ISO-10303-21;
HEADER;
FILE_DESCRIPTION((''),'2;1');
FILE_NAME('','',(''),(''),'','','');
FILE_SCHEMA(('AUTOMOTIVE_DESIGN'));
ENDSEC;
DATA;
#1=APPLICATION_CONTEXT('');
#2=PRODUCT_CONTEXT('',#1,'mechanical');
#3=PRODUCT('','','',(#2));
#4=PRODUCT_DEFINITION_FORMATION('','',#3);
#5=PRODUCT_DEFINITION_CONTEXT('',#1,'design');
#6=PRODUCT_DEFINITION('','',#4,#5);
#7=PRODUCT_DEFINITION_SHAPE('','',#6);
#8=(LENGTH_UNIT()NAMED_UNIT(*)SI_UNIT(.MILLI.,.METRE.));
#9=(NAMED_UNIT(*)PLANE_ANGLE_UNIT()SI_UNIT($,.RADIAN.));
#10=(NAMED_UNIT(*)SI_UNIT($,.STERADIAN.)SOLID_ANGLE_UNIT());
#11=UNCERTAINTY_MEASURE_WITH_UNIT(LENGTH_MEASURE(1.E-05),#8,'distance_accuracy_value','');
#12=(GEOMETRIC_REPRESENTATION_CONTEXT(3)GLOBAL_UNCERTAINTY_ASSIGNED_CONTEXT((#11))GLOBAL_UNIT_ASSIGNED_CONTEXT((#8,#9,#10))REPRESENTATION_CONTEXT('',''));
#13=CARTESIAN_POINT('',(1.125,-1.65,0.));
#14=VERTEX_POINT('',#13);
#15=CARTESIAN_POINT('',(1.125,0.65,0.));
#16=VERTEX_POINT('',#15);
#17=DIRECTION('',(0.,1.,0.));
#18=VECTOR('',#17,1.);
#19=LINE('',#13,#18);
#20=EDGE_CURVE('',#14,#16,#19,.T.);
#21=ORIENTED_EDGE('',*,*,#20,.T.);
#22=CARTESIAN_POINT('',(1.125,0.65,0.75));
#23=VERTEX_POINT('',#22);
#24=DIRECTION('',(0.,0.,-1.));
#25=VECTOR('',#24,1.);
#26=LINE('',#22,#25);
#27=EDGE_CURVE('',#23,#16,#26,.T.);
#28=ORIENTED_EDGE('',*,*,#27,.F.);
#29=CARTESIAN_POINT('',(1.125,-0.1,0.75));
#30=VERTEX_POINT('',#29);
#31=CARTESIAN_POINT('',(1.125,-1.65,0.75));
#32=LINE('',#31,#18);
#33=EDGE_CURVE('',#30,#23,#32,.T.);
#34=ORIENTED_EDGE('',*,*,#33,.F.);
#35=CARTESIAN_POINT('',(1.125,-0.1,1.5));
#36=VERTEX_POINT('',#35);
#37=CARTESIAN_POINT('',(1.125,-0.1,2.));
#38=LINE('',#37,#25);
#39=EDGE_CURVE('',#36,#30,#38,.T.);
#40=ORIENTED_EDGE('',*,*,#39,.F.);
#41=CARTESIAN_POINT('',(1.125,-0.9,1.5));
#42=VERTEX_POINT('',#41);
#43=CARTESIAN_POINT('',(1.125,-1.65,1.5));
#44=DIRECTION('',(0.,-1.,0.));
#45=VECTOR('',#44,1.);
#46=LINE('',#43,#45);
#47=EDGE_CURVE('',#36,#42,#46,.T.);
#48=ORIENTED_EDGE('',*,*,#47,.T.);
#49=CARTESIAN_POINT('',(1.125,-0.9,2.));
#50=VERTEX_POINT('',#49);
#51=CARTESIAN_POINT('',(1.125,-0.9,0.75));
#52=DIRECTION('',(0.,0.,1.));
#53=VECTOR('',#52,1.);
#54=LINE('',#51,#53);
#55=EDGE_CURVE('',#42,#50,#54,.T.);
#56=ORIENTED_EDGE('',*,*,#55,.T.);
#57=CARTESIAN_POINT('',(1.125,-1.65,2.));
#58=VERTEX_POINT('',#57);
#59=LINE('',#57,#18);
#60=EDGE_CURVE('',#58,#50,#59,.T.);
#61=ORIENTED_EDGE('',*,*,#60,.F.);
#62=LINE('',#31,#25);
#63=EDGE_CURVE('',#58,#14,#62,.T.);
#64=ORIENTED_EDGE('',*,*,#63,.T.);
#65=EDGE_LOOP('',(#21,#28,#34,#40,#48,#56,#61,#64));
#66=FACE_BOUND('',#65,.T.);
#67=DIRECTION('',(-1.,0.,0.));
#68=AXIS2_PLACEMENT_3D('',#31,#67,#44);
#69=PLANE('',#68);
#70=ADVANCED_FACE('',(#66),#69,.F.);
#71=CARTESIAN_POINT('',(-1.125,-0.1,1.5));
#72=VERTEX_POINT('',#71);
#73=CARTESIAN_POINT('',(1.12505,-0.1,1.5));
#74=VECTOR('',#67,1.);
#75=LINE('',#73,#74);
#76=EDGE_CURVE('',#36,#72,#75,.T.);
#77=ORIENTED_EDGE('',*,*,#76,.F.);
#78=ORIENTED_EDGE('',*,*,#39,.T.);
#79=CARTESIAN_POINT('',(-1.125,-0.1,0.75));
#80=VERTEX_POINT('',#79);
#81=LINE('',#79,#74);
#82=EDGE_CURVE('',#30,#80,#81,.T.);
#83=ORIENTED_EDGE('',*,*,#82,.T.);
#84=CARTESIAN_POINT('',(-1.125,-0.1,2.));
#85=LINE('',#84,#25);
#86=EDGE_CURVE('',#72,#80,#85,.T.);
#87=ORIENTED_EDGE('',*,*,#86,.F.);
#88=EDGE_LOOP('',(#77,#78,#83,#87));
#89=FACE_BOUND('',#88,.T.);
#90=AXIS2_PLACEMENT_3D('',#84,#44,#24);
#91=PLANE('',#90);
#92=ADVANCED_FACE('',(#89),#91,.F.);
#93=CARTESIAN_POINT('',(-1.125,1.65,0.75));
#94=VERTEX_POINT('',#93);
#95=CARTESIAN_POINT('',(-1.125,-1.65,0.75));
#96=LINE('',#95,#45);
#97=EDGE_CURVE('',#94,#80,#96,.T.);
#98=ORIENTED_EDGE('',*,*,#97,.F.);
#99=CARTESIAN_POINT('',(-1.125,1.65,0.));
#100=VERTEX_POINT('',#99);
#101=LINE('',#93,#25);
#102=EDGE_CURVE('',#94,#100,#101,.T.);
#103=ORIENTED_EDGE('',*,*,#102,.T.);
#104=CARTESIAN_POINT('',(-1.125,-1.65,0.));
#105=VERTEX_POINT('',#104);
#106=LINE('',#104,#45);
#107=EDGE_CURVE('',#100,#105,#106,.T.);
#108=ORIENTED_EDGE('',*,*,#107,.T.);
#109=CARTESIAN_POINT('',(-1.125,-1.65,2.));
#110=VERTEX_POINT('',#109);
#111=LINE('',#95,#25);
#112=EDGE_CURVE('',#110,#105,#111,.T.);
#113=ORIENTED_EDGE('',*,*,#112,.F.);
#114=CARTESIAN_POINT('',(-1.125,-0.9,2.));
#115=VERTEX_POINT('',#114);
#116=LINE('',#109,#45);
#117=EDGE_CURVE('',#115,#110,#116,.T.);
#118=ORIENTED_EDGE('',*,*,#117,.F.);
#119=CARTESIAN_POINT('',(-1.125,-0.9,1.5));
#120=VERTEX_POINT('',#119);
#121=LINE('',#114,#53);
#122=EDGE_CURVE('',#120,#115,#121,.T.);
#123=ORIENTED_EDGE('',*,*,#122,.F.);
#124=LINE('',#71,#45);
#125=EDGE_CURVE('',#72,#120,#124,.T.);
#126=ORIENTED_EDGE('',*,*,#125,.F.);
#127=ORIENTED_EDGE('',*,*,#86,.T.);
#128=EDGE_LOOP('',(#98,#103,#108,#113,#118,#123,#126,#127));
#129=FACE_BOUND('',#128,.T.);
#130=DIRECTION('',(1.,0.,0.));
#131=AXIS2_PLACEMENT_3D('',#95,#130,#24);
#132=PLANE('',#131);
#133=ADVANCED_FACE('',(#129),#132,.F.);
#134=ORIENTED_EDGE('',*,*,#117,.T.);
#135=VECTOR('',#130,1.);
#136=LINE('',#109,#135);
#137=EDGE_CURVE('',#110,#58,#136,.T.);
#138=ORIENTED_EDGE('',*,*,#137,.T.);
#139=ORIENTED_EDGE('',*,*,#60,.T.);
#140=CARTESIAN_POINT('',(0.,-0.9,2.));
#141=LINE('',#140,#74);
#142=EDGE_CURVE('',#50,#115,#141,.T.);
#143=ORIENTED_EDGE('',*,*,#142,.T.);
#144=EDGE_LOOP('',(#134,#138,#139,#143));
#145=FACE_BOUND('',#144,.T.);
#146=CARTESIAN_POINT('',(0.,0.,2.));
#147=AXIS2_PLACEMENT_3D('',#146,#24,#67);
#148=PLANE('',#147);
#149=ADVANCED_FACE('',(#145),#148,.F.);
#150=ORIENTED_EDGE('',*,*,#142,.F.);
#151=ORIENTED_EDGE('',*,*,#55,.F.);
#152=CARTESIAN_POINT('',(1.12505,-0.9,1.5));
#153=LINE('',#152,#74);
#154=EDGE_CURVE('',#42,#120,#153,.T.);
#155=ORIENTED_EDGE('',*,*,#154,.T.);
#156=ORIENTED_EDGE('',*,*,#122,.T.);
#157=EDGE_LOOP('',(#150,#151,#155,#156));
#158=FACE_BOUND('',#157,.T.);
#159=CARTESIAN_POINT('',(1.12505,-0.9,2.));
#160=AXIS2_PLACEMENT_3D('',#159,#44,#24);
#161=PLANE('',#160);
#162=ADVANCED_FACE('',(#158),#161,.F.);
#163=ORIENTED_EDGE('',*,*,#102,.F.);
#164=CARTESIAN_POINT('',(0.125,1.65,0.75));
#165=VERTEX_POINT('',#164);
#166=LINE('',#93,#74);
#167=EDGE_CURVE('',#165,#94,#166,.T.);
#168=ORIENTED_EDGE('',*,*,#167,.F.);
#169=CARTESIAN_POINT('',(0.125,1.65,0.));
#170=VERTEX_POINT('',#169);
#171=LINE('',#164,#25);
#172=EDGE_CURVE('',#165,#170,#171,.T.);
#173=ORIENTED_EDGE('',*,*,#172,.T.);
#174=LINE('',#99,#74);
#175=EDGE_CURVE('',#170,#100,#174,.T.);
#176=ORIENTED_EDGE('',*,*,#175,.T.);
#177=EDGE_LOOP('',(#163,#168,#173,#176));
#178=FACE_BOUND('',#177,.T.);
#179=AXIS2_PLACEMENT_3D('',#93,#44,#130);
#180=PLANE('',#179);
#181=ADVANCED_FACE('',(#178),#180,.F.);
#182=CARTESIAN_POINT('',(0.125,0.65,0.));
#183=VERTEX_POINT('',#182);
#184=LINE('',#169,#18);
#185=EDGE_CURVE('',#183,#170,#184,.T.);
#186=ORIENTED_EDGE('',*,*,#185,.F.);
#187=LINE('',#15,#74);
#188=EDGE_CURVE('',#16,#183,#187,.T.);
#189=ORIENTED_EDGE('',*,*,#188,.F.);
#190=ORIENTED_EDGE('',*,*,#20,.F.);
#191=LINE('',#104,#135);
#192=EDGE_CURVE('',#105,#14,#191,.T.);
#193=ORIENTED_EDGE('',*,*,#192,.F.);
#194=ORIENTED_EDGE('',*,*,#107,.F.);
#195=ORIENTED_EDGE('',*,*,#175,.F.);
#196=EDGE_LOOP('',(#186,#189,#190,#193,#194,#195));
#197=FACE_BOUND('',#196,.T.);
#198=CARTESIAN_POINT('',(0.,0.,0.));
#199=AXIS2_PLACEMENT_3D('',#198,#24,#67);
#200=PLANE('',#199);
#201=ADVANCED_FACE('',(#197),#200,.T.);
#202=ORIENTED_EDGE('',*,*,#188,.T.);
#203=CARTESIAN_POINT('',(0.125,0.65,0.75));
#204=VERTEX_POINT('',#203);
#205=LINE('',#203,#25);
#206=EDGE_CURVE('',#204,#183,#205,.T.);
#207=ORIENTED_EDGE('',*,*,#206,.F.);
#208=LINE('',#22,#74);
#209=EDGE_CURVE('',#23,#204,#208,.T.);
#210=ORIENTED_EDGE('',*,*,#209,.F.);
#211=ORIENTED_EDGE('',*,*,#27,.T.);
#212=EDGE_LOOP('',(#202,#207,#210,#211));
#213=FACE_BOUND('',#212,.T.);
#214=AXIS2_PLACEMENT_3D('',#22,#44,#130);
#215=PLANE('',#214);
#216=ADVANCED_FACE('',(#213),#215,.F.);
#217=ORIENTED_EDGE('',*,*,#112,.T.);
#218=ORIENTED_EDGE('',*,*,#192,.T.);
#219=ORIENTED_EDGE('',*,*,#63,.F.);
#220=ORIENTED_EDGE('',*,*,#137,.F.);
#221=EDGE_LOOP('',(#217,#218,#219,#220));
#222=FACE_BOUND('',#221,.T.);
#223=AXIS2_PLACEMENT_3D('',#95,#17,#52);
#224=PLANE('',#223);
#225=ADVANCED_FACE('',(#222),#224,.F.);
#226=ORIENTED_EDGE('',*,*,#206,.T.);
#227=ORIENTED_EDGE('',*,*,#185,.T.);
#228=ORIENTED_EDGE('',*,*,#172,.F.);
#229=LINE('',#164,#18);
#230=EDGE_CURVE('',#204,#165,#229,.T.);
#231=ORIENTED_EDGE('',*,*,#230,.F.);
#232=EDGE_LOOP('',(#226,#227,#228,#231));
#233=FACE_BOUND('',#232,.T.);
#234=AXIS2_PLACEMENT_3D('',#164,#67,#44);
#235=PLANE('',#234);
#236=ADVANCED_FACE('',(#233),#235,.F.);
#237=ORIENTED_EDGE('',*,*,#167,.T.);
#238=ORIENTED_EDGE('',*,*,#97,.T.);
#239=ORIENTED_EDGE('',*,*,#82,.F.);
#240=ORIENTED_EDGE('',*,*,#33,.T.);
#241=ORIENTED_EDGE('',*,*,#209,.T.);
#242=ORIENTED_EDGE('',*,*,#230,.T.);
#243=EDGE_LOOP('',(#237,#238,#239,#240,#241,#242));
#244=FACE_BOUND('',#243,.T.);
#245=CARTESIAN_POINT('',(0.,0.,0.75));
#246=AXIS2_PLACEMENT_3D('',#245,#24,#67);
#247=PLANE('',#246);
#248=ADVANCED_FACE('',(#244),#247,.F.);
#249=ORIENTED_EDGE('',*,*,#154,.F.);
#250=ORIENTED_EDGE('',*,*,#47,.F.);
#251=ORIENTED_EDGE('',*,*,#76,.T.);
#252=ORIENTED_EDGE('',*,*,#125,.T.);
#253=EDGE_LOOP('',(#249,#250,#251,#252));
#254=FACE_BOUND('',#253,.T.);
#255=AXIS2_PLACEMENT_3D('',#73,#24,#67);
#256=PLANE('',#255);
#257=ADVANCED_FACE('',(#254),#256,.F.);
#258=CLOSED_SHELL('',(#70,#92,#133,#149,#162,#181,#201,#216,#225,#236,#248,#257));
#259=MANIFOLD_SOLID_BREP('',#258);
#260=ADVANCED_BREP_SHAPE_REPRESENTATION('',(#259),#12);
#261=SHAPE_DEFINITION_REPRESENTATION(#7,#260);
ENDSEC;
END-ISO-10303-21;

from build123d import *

# Parameters (mm, degrees)
RESSALTO_EXTRUS_O1_DEPTH = 0.75
ESBO_O2_W                = 2.25
ESBO_O2_H                = 1.55
RESSALTO_EXTRUS_O2_DEPTH = 1.25
ESBO_O4_W                = 0.5
ESBO_O4_H                = 0.8
CORTE_EXTRUS_O1_DEPTH    = 4.432928779


with BuildPart() as part:
    # Esboço1 → Ressalto-extrusão1 (new body)
    with BuildSketch(Plane.XY):
        Polygon((-1.125, -1.65), (1.125, -1.65), (1.125, 0.65), (0.125, 0.65), (0.125, 1.65), (-1.125, 1.65), align=None)
    extrude(amount=RESSALTO_EXTRUS_O1_DEPTH)

    # Esboço2 → Ressalto-extrusão2 (add)
    with BuildSketch(Plane.XY.offset(0.75)):
        with Locations((0, -0.875)):
            Rectangle(ESBO_O2_W, ESBO_O2_H)
    extrude(amount=RESSALTO_EXTRUS_O2_DEPTH)

    # Esboço4 → Corte-extrusão1 (cut, through all)
    with BuildSketch(Plane.ZY.offset(1.125)):
        with Locations((1.75, -0.5)):
            Rectangle(ESBO_O4_W, ESBO_O4_H)
    extrude(amount=-CORTE_EXTRUS_O1_DEPTH, mode=Mode.SUBTRACT)


solid = part.part
